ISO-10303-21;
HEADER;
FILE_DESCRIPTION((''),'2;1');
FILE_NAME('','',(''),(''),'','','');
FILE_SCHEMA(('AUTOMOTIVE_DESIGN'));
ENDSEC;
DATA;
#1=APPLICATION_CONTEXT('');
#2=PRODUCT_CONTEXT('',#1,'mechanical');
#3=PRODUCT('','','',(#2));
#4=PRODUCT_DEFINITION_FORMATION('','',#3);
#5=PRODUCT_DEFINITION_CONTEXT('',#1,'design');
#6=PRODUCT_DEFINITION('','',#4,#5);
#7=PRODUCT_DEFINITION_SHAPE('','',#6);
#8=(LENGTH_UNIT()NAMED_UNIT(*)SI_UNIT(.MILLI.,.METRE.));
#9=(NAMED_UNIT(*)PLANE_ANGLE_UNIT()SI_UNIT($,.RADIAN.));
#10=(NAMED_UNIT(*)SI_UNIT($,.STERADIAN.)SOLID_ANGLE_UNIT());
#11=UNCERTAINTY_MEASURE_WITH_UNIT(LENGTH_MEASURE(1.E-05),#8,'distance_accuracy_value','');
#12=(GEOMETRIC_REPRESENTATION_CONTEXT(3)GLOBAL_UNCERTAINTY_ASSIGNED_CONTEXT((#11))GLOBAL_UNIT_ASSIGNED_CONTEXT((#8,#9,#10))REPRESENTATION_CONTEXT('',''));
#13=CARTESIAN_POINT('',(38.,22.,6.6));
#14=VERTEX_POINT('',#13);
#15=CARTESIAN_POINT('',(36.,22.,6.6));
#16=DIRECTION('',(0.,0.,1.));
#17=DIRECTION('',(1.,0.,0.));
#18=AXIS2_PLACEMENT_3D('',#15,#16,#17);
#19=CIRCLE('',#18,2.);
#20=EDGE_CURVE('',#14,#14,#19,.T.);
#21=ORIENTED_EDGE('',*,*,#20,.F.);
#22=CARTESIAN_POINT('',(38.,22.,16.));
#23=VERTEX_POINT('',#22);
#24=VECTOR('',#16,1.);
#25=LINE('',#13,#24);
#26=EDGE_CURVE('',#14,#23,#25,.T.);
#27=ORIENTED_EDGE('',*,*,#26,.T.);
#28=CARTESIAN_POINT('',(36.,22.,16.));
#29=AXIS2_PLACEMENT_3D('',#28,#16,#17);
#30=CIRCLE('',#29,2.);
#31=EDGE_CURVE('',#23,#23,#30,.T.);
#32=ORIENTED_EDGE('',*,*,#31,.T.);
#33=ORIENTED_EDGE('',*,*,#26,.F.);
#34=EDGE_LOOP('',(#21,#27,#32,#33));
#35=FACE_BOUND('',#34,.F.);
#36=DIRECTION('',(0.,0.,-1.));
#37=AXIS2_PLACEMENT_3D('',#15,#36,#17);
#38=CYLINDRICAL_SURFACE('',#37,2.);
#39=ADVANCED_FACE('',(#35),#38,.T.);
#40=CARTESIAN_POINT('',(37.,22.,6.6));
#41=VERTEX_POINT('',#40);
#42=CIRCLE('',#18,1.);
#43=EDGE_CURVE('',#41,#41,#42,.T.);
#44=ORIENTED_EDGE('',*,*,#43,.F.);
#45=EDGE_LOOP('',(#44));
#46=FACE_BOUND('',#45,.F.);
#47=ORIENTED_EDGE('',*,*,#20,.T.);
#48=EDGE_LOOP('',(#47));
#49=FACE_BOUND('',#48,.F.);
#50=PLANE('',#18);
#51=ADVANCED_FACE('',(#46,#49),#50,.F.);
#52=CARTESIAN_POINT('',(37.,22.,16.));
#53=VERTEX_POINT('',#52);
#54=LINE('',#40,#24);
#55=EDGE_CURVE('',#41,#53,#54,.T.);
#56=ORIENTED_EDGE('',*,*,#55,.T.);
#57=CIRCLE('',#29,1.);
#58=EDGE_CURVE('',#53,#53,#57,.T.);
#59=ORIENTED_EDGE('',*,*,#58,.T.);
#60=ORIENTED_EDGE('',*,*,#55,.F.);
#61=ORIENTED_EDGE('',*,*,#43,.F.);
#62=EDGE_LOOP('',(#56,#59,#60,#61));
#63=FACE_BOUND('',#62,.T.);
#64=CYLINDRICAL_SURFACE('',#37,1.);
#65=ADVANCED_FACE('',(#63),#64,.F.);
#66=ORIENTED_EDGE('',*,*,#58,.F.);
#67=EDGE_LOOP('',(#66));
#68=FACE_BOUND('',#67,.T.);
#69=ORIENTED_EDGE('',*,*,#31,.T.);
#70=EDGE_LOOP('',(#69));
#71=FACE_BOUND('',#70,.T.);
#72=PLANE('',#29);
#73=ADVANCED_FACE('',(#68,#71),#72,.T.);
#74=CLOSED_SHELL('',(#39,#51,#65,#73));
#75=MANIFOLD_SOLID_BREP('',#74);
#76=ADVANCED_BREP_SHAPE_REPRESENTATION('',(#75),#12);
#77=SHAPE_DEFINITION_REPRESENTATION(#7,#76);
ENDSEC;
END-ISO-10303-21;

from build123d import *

# Parameters (mm, degrees)
SKETCH316_R      = 1
EXTRUDE173_DEPTH = 9.4
SKETCH317_R      = 2
EXTRUDE174_DEPTH = 9.4


with BuildPart() as extrude173:
    # Sketch316 → Extrude173 (new body)
    with BuildSketch(Plane.XY.offset(6.6)):
        with Locations((36, -22)):
            Circle(SKETCH316_R)
    extrude(amount=EXTRUDE173_DEPTH)


with BuildPart() as cut075:
    # Sketch317 → Extrude174 (new body)
    with BuildSketch(Plane.XY.offset(6.6)):
        with Locations((36, -22)):
            Circle(SKETCH317_R)
    extrude(amount=EXTRUDE174_DEPTH)

    # Cut075: cut Extrude173
    add(extrude173.part, mode=Mode.SUBTRACT)


with BuildPart() as cut075_1:
    # Cut075 placement: moved
    add(cut075.part.moved(Location((0, 44, 0))))


solid = cut075_1.part
